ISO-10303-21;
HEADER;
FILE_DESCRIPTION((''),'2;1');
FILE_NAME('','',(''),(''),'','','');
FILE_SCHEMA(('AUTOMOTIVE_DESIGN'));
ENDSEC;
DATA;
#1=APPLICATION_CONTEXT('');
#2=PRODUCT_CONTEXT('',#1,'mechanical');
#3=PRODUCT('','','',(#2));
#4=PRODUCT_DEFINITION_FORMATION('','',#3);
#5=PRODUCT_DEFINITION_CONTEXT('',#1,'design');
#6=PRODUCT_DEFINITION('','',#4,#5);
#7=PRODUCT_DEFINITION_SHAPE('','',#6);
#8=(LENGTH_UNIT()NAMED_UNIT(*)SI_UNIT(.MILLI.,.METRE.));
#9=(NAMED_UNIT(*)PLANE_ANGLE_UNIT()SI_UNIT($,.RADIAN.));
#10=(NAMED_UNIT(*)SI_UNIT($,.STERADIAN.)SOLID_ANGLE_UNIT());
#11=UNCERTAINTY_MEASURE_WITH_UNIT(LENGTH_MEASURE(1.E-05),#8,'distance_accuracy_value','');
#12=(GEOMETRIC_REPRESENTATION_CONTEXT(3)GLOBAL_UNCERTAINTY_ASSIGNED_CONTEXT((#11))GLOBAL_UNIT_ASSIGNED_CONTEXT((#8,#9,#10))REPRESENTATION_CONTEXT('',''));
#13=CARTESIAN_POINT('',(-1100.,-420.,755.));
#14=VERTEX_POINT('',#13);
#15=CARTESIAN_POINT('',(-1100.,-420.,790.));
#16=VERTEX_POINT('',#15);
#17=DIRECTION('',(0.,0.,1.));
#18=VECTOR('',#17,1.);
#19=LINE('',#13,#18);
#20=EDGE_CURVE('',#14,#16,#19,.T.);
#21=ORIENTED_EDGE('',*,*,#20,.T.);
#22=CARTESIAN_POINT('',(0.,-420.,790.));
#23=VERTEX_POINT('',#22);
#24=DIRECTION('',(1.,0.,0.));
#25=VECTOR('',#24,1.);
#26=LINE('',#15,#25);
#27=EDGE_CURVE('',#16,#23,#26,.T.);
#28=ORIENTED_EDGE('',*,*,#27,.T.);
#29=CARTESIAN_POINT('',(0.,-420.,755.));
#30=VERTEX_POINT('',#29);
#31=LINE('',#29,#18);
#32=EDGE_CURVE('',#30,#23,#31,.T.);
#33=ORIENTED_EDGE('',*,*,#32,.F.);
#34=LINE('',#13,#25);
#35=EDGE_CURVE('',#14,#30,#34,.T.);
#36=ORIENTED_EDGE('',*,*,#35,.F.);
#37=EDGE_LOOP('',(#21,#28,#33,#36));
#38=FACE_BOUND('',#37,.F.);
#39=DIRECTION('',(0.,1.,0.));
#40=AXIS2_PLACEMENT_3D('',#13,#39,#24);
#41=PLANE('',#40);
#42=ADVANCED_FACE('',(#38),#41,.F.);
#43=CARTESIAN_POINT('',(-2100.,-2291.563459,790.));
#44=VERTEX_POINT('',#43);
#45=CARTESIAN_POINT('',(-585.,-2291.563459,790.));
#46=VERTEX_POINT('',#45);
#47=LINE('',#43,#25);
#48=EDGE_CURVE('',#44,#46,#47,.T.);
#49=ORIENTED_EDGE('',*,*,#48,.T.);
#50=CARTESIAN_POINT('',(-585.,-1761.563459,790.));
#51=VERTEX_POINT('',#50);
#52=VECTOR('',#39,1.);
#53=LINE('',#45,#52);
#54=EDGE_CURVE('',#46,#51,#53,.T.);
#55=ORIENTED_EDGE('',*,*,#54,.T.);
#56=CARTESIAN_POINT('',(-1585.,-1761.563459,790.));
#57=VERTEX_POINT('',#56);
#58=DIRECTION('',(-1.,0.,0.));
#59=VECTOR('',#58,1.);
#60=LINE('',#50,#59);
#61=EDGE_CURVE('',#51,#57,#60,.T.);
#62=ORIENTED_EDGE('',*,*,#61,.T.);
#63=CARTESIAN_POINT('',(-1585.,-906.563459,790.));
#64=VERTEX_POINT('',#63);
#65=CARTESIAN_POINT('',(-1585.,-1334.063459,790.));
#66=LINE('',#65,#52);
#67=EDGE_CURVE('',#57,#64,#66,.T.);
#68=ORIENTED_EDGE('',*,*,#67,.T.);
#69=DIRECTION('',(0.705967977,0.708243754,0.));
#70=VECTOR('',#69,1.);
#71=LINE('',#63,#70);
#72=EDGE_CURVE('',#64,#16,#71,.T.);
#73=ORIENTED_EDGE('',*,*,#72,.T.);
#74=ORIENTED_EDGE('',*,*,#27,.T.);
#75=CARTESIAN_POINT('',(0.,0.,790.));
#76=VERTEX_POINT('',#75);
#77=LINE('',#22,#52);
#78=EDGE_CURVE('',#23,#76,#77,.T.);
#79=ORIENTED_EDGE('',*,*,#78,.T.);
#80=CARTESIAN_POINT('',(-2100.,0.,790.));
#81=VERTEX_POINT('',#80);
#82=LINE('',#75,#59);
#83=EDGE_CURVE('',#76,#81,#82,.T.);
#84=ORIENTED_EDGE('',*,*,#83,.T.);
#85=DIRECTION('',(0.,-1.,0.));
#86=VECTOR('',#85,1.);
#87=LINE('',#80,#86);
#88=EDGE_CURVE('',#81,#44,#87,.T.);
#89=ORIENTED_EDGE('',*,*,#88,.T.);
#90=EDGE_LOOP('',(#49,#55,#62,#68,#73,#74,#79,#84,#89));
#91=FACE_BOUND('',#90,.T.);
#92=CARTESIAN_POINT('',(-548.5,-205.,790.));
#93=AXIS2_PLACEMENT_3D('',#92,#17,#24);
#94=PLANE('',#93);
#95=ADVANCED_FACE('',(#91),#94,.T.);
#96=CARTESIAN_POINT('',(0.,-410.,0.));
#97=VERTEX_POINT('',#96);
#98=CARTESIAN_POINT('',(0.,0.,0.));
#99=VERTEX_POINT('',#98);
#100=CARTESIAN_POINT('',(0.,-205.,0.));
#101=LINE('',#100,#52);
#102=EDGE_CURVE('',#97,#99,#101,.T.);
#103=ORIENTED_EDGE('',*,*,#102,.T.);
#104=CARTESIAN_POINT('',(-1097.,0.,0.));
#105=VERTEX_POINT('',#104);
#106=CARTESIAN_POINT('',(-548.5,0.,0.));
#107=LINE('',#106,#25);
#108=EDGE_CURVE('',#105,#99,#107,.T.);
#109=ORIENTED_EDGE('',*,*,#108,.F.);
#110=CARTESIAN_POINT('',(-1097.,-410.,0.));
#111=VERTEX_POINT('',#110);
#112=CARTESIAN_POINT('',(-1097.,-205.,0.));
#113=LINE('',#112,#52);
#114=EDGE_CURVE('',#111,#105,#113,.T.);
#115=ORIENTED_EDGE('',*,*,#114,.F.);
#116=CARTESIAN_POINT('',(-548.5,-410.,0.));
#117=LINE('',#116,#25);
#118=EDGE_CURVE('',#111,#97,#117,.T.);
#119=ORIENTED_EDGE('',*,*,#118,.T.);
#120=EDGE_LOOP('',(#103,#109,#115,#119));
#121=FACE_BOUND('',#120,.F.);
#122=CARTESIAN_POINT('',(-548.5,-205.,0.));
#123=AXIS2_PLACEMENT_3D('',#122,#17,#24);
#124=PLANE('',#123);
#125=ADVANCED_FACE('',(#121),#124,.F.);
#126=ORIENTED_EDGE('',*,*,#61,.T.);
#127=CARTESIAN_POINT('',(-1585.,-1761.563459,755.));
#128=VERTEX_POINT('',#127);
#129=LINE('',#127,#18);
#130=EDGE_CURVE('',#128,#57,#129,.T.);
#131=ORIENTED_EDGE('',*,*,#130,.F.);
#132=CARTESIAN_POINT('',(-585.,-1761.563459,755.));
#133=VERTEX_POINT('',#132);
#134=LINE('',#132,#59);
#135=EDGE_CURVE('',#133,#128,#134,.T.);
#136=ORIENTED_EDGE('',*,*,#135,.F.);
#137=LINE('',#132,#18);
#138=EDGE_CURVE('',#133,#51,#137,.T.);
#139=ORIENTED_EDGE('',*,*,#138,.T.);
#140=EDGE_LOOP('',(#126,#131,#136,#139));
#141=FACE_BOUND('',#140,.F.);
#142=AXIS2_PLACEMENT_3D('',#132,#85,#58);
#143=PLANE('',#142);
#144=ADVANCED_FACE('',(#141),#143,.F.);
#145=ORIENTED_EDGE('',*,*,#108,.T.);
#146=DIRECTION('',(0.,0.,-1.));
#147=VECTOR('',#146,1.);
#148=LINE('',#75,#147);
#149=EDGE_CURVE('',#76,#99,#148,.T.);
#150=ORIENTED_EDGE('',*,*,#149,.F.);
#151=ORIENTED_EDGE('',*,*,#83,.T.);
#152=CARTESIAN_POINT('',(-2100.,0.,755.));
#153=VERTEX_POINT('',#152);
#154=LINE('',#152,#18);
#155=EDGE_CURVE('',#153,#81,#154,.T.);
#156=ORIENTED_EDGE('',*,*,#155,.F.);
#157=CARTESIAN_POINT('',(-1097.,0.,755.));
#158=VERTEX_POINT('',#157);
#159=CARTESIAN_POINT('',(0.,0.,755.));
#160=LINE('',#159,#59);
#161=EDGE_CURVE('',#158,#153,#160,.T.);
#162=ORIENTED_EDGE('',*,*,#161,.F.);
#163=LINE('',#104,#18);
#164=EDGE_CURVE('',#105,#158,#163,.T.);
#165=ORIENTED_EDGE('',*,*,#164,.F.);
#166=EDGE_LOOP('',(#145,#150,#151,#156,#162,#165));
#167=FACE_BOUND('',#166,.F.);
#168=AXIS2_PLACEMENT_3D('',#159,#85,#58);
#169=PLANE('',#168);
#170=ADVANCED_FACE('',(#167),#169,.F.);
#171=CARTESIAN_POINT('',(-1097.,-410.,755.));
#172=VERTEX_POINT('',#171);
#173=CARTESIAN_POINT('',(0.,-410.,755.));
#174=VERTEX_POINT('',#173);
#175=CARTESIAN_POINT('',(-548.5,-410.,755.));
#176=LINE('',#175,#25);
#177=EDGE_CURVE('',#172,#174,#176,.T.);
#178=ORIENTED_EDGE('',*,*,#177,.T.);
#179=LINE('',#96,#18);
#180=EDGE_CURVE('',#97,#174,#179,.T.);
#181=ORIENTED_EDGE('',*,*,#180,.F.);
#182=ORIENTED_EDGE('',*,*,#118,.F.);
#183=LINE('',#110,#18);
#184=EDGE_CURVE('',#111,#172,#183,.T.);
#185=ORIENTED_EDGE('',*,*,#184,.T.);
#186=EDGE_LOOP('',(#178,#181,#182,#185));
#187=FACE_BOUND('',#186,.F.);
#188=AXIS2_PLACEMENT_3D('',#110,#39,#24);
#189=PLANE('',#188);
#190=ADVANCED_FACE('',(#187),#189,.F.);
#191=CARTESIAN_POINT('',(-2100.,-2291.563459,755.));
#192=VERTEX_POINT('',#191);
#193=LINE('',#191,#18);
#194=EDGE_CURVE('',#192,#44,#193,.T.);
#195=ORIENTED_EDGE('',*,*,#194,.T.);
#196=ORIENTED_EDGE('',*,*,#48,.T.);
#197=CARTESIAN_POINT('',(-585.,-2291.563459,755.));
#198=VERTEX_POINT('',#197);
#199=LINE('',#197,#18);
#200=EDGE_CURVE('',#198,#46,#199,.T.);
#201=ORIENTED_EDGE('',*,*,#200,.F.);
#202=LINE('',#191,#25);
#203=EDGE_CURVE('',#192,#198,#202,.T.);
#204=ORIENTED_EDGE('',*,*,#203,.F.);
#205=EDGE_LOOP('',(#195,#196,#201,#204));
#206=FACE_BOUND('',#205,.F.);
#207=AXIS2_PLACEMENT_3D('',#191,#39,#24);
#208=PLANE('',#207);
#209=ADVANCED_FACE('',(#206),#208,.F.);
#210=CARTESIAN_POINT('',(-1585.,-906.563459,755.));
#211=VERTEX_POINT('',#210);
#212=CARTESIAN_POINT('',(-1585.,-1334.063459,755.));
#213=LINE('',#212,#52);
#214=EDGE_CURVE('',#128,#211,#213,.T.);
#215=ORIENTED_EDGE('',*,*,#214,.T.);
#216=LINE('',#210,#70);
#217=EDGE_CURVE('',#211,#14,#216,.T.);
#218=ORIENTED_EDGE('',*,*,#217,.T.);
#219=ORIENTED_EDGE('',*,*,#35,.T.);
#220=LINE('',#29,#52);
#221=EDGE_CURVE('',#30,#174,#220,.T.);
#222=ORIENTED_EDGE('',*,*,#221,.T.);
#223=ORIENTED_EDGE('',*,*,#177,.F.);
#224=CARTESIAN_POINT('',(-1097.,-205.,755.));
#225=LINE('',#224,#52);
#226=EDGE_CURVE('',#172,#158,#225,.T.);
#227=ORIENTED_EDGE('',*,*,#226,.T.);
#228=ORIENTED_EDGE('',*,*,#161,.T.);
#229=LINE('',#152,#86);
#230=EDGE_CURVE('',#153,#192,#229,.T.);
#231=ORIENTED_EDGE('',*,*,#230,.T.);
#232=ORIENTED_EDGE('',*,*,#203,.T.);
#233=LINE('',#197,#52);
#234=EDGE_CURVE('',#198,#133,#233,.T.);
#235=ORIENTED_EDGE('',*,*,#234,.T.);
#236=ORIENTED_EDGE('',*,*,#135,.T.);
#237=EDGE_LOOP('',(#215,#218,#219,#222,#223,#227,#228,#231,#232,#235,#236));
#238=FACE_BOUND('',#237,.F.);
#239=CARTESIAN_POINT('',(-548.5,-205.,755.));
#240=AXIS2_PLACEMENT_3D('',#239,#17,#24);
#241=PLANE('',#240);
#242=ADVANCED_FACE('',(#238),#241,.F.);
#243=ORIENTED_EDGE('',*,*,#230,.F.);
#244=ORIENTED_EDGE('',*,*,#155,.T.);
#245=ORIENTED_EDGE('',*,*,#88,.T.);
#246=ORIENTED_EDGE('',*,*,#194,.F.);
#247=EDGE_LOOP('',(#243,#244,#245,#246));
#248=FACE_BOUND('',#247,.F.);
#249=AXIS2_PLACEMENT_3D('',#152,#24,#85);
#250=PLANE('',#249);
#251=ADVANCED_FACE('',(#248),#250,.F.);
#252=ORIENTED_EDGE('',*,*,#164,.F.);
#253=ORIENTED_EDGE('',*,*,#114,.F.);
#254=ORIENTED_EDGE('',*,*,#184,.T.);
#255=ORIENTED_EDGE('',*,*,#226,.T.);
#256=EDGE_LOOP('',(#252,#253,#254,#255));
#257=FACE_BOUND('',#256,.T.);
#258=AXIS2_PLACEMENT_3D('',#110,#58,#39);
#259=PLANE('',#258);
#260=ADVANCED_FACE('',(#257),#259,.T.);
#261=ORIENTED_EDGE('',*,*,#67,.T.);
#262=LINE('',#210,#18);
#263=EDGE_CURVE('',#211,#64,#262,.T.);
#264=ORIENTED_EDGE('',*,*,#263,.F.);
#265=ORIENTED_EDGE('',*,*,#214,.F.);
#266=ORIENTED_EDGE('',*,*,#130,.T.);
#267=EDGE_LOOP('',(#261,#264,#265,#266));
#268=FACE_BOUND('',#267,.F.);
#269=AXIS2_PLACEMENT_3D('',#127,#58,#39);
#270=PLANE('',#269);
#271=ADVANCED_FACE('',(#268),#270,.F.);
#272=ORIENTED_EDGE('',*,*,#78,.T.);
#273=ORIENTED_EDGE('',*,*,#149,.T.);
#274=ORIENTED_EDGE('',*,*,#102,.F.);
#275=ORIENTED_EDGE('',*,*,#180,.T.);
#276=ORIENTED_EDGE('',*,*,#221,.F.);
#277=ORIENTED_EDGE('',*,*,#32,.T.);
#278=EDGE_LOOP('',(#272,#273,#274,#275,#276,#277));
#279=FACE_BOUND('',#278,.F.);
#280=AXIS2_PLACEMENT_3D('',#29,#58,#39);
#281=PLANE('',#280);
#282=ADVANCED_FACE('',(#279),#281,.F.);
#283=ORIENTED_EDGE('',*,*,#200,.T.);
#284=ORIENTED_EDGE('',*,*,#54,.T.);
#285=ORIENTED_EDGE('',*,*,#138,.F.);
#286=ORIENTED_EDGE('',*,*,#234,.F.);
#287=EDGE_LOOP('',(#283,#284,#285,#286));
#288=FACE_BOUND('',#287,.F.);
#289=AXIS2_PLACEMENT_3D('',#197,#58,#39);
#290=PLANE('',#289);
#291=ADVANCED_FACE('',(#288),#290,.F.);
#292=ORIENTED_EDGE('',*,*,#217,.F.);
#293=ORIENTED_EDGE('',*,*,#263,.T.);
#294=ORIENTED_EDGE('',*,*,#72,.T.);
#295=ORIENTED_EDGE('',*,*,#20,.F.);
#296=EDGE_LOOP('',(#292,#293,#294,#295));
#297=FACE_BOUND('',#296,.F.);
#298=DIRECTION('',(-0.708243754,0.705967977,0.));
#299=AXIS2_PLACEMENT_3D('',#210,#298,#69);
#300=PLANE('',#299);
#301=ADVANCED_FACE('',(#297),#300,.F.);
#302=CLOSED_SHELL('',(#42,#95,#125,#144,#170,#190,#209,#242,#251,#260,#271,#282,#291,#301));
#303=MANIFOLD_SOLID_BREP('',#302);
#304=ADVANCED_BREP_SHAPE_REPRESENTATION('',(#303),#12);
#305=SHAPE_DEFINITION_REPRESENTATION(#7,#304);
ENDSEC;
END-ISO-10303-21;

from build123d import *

# Parameters (mm, degrees)
F0_W     = 1097
F0_H     = 410
F1_DEPTH = 755
F2_W     = 1097
F2_H     = 410
F2_W_2   = 515
F2_H_2   = 855
F3_DEPTH = 35


with BuildPart() as f1:
    # F0 (on Top) → F1 (new body)
    with BuildSketch(Plane.XY):
        with Locations((-548.5, -205)):
            Rectangle(F0_W, F0_H)
    extrude(amount=F1_DEPTH)

    # F2 (on face) → F3 (join)
    with BuildSketch(Plane.XY.offset(755)):
        with Locations((-548.5, -205)):
            Rectangle(F2_W, F2_H)
        Polygon((-585, -1761.563459), (-1585, -1761.563459), (-2100, -1761.563459), (-2100, -2291.563459), (-585, -2291.563459), align=None)
        Polygon((-1097, -410), (-1097, 0), (-1100, 0), (-1100, -420), (0, -420), (0, -410), align=None)
        Polygon((-1100, -420), (-1100, 0), (-2100, 0), (-2100, -906.563459), (-1585, -906.563459), align=None)
        with Locations((-1842.5, -1334.063459)):
            Rectangle(F2_W_2, F2_H_2)
    extrude(amount=F3_DEPTH)


solid = f1.part
